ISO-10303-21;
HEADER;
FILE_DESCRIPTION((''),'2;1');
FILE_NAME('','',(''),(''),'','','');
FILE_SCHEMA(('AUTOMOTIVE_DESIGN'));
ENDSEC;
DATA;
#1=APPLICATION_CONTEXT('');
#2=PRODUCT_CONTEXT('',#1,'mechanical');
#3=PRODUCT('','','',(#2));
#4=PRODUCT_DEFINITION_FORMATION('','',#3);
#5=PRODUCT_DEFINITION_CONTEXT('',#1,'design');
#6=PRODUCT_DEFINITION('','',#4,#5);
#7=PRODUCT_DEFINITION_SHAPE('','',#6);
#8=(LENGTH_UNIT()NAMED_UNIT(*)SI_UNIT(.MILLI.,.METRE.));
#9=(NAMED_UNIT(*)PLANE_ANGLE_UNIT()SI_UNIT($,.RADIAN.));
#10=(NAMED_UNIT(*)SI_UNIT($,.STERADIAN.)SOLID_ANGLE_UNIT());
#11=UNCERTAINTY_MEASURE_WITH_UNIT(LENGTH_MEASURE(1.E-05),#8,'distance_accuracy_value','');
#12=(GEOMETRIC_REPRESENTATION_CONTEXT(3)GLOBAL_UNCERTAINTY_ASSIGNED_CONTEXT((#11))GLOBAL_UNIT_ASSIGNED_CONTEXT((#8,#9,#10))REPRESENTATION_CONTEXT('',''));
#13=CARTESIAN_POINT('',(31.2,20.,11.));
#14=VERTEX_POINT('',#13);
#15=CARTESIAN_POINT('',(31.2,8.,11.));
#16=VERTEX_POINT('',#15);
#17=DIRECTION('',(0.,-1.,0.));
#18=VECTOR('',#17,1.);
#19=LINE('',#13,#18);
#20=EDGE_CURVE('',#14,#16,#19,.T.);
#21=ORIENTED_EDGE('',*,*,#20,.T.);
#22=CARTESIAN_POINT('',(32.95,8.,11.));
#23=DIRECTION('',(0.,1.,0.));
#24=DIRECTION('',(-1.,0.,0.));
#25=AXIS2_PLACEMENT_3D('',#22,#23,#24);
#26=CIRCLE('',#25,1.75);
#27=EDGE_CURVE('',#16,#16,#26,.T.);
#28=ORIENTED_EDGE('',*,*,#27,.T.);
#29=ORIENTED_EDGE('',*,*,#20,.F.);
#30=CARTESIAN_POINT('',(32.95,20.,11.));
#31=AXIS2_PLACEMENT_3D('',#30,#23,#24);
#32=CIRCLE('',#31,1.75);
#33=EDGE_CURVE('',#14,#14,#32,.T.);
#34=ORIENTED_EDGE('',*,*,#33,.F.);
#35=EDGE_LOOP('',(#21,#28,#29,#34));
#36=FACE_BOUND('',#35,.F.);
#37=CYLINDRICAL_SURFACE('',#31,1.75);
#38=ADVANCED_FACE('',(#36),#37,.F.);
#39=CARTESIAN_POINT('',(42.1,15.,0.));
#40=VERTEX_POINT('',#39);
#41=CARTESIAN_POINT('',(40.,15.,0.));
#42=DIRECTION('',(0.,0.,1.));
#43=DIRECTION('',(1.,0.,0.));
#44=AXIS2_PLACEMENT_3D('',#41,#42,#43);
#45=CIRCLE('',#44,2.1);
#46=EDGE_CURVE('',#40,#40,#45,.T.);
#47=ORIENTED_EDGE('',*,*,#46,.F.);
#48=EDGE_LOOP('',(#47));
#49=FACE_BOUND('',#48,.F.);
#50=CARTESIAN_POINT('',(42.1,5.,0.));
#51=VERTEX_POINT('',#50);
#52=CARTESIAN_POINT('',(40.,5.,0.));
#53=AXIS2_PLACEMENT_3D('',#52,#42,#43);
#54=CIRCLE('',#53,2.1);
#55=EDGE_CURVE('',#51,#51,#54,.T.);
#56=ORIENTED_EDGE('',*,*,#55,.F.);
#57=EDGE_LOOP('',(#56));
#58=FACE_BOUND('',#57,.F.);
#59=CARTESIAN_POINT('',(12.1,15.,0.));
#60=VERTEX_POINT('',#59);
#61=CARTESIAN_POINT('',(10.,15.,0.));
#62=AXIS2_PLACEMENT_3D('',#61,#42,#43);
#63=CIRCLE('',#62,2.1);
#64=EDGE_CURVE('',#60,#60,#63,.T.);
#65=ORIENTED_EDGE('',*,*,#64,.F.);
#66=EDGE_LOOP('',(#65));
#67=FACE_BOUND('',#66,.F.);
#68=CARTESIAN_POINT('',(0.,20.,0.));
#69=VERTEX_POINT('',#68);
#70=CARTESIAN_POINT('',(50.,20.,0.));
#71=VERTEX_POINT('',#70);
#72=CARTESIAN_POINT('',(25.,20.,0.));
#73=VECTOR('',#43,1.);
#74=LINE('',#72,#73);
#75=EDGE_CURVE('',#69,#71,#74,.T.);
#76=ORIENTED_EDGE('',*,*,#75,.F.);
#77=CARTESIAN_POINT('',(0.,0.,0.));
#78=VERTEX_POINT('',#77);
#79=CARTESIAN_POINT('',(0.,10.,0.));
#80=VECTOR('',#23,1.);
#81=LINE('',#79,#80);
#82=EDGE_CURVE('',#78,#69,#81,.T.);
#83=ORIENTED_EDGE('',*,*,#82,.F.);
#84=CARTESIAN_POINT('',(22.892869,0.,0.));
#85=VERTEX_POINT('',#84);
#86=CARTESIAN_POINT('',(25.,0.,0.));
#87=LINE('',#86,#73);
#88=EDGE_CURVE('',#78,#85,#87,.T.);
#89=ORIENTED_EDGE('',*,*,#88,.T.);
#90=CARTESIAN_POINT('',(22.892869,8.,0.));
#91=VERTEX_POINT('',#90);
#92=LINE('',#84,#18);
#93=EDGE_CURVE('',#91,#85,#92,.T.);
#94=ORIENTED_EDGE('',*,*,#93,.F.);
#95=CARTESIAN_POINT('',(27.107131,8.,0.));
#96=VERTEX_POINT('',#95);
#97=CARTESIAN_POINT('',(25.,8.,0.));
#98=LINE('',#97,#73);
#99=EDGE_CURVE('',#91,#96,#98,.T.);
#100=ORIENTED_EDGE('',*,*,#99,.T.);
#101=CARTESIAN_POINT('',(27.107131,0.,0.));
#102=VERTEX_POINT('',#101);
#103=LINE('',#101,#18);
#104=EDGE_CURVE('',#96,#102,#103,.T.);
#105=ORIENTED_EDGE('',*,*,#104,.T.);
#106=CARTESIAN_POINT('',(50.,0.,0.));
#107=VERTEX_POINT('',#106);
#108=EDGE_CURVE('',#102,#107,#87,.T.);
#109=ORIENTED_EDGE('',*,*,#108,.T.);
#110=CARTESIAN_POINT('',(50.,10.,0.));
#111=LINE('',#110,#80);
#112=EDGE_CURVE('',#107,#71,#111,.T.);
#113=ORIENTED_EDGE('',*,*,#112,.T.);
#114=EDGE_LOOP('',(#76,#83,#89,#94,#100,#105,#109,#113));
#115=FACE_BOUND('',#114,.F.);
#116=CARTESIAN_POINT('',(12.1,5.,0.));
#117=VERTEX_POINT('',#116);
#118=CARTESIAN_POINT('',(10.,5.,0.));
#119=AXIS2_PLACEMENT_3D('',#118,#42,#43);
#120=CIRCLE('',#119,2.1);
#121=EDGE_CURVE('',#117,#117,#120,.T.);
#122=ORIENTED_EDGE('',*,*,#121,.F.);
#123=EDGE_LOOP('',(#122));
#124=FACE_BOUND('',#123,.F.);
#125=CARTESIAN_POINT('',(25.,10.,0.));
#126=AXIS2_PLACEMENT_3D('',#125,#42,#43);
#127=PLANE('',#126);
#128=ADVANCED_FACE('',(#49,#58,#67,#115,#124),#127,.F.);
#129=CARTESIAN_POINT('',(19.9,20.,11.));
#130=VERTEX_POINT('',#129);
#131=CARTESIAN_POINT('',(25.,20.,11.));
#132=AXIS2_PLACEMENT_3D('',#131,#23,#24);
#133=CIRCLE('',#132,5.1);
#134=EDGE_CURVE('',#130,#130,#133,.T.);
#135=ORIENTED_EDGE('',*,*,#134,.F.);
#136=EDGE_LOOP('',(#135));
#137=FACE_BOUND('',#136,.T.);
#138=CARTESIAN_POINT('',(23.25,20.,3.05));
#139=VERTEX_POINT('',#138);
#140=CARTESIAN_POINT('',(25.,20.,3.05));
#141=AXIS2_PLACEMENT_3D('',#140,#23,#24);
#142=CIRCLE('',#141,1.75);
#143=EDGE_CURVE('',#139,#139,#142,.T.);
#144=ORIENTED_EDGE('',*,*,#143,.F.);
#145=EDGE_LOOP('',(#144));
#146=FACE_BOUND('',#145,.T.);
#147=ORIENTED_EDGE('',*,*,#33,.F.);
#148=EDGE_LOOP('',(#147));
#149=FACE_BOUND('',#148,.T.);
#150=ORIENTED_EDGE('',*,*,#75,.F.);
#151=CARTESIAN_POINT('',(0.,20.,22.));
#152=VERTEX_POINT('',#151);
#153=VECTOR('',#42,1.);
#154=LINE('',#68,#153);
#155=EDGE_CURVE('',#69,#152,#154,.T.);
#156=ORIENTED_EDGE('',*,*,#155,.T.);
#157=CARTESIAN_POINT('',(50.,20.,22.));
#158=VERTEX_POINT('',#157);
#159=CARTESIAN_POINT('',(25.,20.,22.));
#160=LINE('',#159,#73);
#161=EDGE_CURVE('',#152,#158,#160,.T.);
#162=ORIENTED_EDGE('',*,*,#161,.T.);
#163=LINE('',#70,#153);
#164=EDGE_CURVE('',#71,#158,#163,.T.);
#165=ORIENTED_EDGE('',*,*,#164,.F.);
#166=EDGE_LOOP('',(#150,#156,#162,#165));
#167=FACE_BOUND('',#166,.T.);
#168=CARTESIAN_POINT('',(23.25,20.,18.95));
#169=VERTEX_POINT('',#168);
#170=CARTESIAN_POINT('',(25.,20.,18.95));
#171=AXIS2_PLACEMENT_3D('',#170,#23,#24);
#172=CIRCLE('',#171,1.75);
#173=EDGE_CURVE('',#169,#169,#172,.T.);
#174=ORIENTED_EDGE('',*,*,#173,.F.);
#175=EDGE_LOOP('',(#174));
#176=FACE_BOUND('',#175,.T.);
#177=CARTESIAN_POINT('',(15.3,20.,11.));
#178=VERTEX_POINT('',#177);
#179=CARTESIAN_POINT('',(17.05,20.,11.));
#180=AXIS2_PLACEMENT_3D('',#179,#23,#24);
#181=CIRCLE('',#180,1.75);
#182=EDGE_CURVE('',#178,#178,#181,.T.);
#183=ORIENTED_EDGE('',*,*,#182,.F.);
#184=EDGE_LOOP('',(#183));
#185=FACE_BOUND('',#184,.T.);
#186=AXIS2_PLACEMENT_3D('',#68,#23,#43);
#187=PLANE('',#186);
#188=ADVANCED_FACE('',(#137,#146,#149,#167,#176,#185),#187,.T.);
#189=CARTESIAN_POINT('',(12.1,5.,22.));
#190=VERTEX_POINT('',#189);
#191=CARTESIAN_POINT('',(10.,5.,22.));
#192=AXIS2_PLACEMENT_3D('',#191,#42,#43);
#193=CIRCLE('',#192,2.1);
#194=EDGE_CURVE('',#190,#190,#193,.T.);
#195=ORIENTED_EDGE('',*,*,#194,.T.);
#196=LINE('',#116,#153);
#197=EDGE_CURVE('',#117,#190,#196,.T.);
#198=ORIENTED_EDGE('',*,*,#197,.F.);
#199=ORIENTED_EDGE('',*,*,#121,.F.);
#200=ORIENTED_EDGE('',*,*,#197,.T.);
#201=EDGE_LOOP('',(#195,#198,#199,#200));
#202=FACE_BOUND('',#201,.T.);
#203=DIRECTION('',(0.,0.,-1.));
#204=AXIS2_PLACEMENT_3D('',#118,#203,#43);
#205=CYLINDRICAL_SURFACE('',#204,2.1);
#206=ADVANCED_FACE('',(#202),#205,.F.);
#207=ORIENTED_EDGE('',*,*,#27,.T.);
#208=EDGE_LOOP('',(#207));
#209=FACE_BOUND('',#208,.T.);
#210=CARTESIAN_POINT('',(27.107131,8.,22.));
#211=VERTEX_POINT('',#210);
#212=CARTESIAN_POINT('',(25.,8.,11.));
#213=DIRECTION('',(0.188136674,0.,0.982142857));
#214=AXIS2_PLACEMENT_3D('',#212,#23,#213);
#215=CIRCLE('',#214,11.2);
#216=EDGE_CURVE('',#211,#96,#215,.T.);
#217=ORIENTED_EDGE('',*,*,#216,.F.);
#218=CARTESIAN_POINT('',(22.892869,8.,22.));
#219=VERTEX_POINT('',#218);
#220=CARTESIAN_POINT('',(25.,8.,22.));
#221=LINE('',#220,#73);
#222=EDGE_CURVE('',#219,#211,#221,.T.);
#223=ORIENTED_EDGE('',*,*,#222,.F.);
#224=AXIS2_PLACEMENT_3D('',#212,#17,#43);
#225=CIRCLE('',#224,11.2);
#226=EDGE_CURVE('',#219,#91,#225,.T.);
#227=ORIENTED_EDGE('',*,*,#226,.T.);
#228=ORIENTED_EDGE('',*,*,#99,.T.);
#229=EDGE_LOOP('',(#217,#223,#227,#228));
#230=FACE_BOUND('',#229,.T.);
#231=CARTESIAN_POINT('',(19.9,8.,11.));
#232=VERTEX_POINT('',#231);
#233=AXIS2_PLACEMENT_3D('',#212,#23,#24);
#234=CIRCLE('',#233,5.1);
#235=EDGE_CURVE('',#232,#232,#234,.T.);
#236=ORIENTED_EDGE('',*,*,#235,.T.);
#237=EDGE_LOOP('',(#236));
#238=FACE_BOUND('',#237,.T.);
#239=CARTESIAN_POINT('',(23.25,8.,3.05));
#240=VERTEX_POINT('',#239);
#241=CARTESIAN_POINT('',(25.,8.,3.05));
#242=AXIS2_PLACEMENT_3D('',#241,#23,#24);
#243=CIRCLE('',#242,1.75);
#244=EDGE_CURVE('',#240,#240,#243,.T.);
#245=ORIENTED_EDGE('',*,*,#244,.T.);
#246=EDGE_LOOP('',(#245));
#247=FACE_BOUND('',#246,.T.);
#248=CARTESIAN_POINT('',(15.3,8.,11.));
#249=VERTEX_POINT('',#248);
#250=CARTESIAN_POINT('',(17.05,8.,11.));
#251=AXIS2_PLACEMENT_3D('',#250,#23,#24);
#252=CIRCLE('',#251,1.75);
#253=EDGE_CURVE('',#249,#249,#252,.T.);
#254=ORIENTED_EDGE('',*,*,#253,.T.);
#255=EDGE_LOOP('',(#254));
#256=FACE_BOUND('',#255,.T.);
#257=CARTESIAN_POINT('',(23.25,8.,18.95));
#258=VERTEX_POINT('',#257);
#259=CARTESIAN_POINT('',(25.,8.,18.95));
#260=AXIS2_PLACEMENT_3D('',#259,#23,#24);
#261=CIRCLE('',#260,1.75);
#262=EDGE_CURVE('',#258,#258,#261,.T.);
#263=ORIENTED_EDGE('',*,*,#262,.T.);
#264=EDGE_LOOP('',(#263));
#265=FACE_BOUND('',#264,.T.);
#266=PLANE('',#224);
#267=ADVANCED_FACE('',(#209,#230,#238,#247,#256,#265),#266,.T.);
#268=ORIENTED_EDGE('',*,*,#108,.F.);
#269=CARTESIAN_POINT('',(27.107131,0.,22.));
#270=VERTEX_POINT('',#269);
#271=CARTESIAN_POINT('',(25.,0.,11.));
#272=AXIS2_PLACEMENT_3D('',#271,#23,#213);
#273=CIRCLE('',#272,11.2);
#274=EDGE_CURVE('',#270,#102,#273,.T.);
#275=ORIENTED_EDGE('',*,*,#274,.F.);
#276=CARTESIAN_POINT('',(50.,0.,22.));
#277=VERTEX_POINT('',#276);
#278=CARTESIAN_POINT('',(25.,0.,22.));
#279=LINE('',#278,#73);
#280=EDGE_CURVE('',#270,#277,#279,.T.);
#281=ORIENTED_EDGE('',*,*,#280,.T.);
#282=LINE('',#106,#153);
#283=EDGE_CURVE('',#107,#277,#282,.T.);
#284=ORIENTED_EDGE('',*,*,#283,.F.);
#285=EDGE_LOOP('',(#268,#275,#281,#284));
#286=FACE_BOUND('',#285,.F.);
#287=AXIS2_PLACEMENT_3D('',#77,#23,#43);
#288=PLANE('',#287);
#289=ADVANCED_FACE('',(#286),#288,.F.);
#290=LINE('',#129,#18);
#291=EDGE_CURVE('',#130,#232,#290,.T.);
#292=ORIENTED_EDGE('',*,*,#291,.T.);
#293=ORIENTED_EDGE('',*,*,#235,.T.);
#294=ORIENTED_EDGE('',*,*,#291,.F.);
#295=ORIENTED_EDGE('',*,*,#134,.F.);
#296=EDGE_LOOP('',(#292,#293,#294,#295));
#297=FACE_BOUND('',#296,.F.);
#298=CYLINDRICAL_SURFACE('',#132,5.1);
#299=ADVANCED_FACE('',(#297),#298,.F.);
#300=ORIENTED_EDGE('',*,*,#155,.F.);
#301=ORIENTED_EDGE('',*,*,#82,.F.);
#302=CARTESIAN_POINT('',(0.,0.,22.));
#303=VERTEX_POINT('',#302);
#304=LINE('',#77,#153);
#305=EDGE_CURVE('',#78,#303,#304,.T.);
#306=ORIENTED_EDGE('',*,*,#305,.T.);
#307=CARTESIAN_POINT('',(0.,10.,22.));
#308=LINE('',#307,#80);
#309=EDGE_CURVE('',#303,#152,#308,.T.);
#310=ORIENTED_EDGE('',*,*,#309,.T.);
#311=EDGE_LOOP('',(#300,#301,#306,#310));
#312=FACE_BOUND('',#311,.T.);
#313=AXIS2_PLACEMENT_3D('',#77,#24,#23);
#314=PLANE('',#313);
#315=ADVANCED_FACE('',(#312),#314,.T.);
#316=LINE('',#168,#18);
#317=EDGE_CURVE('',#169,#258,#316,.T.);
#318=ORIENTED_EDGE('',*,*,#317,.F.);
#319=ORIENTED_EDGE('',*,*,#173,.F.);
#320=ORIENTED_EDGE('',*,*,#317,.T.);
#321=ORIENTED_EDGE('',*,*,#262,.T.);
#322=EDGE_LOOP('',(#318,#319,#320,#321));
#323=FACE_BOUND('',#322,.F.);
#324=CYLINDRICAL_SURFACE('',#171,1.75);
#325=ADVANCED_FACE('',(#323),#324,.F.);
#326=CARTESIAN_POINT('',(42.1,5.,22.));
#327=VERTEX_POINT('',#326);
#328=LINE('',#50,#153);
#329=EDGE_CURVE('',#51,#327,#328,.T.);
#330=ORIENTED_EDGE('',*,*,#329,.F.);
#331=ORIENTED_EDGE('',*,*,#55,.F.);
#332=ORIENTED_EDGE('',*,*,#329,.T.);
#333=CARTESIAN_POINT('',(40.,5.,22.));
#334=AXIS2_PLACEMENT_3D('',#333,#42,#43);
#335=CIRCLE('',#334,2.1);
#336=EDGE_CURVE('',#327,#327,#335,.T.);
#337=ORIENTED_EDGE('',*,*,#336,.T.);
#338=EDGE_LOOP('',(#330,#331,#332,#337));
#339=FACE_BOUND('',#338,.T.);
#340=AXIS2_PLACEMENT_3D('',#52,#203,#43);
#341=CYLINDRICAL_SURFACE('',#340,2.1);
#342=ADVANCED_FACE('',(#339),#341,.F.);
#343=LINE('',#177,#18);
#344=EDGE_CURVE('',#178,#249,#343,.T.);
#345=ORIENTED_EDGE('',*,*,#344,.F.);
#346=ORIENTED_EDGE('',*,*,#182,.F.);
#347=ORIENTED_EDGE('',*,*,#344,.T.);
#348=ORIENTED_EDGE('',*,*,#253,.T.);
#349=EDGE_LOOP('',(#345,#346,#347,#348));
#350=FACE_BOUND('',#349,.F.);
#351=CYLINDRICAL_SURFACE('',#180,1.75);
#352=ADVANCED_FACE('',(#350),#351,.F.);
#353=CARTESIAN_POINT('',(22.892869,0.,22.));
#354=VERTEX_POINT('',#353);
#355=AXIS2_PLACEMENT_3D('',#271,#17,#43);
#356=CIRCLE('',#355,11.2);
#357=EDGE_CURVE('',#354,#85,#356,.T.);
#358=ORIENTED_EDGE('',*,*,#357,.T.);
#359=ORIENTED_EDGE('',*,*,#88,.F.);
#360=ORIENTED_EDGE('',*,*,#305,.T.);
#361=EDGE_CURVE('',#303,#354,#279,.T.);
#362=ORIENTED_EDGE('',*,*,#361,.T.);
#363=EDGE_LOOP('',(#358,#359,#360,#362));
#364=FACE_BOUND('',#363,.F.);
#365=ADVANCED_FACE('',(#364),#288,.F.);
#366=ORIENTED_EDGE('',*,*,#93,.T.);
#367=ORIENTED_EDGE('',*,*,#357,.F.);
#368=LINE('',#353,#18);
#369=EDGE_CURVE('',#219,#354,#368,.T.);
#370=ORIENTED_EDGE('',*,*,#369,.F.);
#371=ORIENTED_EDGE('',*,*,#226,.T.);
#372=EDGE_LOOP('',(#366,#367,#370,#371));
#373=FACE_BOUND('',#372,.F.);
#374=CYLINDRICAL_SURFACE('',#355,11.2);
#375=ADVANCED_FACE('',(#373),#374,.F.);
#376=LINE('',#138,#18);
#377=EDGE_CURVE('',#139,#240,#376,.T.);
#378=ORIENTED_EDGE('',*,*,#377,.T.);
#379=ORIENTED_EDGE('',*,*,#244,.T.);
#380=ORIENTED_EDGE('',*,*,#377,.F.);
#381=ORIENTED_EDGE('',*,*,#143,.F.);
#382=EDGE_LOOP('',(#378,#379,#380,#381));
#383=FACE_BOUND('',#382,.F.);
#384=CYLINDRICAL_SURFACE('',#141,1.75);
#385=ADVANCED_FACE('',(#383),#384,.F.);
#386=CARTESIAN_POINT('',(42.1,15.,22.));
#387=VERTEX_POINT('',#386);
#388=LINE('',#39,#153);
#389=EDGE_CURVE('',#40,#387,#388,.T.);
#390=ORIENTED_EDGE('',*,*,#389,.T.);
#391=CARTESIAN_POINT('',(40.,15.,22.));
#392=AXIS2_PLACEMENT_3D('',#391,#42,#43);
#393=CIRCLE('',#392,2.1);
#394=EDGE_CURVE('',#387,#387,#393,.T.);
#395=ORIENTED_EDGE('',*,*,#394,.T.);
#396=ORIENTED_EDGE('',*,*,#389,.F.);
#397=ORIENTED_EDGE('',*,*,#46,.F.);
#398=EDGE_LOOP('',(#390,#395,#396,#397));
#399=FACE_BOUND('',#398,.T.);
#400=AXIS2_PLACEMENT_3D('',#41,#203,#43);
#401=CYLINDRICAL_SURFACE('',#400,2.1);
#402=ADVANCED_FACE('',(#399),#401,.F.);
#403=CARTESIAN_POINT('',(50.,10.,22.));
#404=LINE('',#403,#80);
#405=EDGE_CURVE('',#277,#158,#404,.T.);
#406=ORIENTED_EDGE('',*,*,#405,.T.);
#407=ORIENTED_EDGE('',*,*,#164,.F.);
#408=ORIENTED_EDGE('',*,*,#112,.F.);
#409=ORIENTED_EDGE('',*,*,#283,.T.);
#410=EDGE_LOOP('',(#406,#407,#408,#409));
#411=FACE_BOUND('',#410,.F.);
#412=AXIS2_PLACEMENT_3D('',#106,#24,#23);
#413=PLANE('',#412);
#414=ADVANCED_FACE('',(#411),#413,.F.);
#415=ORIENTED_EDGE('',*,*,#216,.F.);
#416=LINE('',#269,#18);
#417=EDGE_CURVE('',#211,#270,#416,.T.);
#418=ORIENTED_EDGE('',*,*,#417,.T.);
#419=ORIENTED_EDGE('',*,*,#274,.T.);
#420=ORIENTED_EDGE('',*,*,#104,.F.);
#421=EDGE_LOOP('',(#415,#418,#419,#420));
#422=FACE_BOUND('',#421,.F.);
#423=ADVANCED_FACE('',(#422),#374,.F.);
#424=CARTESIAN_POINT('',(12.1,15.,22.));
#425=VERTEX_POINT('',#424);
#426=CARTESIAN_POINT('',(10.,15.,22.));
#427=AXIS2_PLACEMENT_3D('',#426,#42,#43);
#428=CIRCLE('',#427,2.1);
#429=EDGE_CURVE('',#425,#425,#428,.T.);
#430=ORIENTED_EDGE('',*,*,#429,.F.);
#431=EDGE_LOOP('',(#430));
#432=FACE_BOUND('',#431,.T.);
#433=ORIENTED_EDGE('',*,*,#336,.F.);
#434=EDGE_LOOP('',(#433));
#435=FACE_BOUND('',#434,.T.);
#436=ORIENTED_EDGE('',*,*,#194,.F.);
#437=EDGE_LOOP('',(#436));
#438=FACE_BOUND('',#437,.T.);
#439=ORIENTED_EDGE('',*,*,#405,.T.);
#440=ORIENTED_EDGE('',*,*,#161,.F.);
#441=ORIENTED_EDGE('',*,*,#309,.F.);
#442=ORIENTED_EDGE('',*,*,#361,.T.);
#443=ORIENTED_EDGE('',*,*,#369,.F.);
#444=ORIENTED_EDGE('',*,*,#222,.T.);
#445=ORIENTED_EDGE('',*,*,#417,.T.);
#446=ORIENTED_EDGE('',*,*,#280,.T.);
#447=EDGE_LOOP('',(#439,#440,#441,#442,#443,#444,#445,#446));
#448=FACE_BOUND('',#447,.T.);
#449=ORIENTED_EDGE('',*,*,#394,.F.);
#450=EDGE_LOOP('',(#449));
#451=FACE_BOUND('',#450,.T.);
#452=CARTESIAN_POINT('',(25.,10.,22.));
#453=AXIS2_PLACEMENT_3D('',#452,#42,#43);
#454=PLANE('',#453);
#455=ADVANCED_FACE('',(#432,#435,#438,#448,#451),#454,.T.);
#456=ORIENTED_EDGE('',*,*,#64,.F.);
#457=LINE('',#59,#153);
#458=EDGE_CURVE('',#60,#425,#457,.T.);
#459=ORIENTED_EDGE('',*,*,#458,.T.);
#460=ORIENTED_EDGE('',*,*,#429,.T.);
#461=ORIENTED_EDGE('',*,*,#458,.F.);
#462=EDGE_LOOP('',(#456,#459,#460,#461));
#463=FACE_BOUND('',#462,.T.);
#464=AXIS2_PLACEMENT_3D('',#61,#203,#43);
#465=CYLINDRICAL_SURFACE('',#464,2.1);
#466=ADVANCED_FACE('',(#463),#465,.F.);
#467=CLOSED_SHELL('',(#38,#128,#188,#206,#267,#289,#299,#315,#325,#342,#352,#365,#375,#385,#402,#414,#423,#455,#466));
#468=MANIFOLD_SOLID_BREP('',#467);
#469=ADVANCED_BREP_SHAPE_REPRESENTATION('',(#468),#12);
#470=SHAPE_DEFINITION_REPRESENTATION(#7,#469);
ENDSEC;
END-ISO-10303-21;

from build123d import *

# Parameters (mm, degrees)
SKETCH_W        = 50
SKETCH_H        = 20
SKETCH_R        = 2.1
PAD_DEPTH       = 22
SKETCH001_R     = 11.2
POCKET_DEPTH    = 8
SKETCH002_R     = 5.1
SKETCH002_R_2   = 1.75
POCKET001_DEPTH = 20


with BuildPart() as part:
    # Sketch → Pad (new body)
    with BuildSketch(Plane.XY):
        with Locations((25, 10)):
            Rectangle(SKETCH_W, SKETCH_H)
        with Locations((10, 15)):
            Circle(SKETCH_R, mode=Mode.SUBTRACT)
        with Locations((10, 5)):
            Circle(SKETCH_R, mode=Mode.SUBTRACT)
        with Locations((40, 15)):
            Circle(SKETCH_R, mode=Mode.SUBTRACT)
        with Locations((40, 5)):
            Circle(SKETCH_R, mode=Mode.SUBTRACT)
    extrude(amount=PAD_DEPTH)

    # Sketch001 (on Face3 of Pad) → Pocket (cut)
    with BuildSketch(Plane.XZ):
        with Locations((25, 11)):
            Circle(SKETCH001_R)
    extrude(amount=-POCKET_DEPTH, mode=Mode.SUBTRACT)

    # Sketch002 (on Face1 of Pocket) → Pocket001 (cut)
    with BuildSketch(Plane(origin=(0, 20, 0), x_dir=(-1, 0, 0), z_dir=(0, 1, 0))):
        with Locations((-25, 11)):
            Circle(SKETCH002_R)
        with Locations((-25, 18.95)):
            Circle(SKETCH002_R_2)
        with Locations((-25, 3.05)):
            Circle(SKETCH002_R_2)
        with Locations((-32.95, 11)):
            Circle(SKETCH002_R_2)
        with Locations((-17.05, 11)):
            Circle(SKETCH002_R_2)
    extrude(amount=-POCKET001_DEPTH, mode=Mode.SUBTRACT)


solid = part.part
